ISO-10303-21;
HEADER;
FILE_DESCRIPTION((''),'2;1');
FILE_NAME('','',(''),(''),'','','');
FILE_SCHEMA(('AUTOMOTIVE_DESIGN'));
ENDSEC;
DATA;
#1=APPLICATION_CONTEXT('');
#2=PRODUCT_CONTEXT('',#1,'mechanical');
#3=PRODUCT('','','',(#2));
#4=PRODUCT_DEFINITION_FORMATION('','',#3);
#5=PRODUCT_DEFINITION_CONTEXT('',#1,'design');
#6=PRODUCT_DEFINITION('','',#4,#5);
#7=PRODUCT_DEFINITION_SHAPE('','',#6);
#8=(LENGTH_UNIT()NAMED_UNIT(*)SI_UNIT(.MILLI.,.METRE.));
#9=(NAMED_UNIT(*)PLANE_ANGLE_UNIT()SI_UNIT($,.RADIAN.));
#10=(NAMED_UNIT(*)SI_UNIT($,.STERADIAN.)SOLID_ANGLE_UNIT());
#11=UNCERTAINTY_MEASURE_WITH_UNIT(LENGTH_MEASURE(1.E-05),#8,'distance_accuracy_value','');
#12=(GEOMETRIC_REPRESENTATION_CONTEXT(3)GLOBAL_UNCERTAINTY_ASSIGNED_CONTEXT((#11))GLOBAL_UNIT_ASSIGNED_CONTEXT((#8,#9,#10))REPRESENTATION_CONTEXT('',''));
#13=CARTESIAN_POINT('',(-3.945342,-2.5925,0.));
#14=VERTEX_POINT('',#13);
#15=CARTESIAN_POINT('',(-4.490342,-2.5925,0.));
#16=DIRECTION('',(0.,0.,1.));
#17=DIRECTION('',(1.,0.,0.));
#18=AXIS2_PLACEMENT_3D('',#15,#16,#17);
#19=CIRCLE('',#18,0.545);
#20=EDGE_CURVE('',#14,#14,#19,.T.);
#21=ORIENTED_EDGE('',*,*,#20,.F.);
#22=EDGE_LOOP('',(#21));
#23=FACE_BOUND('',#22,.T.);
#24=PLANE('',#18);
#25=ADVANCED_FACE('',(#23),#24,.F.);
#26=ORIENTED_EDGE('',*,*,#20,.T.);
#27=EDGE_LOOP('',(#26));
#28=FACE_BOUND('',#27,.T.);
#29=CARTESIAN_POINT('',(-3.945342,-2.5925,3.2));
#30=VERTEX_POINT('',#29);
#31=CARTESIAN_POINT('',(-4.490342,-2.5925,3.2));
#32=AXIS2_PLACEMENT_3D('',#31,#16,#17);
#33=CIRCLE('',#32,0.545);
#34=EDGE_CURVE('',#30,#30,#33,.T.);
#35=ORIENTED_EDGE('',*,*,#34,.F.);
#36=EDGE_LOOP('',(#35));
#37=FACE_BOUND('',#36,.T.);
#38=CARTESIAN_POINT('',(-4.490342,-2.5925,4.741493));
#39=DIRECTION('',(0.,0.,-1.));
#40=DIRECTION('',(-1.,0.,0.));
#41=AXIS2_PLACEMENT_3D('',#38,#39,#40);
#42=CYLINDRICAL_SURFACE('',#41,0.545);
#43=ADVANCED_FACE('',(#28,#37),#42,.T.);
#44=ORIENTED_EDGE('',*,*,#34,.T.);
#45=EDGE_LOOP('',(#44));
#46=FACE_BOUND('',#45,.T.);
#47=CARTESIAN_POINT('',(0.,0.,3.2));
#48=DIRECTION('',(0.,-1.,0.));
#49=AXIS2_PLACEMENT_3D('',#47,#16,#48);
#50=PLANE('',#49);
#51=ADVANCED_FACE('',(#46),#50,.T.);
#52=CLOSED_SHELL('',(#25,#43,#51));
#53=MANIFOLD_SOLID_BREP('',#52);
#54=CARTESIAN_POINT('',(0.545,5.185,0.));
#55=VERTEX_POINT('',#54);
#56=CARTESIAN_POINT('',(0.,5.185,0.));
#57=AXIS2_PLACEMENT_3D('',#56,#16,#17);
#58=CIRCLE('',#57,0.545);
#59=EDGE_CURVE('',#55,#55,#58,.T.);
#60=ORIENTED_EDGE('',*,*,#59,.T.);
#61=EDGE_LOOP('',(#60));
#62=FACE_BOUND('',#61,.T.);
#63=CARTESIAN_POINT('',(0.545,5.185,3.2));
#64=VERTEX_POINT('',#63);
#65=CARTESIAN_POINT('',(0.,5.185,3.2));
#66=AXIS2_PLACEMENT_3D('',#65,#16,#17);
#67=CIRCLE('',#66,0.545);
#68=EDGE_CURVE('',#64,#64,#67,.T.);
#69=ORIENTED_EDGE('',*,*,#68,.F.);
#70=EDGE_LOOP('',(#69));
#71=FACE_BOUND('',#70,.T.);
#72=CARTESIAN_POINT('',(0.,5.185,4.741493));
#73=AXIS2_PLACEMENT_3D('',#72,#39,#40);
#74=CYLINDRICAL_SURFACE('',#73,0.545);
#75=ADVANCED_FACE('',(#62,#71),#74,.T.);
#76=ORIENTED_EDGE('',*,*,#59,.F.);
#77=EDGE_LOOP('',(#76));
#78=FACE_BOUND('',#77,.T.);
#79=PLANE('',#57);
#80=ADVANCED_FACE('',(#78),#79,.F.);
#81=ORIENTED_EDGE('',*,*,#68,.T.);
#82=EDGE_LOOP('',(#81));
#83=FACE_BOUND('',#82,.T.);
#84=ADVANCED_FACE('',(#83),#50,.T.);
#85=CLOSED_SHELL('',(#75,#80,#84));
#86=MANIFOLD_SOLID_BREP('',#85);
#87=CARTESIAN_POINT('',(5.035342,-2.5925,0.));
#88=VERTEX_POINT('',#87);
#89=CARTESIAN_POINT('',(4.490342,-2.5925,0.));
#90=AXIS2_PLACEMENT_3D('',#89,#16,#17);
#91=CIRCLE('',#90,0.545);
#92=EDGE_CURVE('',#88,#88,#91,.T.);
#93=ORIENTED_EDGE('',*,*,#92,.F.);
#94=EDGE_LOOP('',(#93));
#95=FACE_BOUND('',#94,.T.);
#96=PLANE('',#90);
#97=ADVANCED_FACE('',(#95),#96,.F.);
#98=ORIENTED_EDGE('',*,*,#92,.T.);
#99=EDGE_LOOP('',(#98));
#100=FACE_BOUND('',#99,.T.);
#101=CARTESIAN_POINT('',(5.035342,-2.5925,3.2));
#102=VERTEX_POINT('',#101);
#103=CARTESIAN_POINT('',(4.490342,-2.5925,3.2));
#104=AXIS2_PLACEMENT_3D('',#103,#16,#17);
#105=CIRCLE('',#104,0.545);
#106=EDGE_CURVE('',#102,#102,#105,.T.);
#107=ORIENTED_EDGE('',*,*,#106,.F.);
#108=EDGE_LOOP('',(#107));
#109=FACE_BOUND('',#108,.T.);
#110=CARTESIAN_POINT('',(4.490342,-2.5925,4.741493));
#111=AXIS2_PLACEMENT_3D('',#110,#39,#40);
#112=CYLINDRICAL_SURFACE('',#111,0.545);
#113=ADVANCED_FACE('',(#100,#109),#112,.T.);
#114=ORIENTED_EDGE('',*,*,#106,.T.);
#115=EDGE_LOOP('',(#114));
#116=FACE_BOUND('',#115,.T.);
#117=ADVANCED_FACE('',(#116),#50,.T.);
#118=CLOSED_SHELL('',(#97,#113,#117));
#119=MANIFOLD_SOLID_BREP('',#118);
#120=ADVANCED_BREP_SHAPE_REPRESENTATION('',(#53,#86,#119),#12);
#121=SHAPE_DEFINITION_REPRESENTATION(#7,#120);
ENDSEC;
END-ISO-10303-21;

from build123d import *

# Parameters (mm, degrees)
SKETCH2_R             = 0.545
BOSS_EXTRUDE1_DEPTH   = 3.2
BOSS_EXTRUDE1_2_DEPTH = 3.2
BOSS_EXTRUDE1_3_DEPTH = 3.2


with BuildPart() as part:
    # Sketch2 → Boss-Extrude1 (new body)
    with BuildSketch(Plane.XY):
        with Locations((-4.490341719, -2.5925)):
            Circle(SKETCH2_R)
    extrude(amount=BOSS_EXTRUDE1_DEPTH)


with BuildPart() as body_2:
    # Sketch2 → Boss-Extrude1 2 (new body)
    with BuildSketch(Plane.XY):
        with Locations((0, 5.185)):
            Circle(SKETCH2_R)
    extrude(amount=BOSS_EXTRUDE1_2_DEPTH)


with BuildPart() as body_3:
    # Sketch2 → Boss-Extrude1 3 (new body)
    with BuildSketch(Plane.XY):
        with Locations((4.490341719, -2.5925)):
            Circle(SKETCH2_R)
    extrude(amount=BOSS_EXTRUDE1_3_DEPTH)


solid = Compound([part.part, body_2.part, body_3.part])
